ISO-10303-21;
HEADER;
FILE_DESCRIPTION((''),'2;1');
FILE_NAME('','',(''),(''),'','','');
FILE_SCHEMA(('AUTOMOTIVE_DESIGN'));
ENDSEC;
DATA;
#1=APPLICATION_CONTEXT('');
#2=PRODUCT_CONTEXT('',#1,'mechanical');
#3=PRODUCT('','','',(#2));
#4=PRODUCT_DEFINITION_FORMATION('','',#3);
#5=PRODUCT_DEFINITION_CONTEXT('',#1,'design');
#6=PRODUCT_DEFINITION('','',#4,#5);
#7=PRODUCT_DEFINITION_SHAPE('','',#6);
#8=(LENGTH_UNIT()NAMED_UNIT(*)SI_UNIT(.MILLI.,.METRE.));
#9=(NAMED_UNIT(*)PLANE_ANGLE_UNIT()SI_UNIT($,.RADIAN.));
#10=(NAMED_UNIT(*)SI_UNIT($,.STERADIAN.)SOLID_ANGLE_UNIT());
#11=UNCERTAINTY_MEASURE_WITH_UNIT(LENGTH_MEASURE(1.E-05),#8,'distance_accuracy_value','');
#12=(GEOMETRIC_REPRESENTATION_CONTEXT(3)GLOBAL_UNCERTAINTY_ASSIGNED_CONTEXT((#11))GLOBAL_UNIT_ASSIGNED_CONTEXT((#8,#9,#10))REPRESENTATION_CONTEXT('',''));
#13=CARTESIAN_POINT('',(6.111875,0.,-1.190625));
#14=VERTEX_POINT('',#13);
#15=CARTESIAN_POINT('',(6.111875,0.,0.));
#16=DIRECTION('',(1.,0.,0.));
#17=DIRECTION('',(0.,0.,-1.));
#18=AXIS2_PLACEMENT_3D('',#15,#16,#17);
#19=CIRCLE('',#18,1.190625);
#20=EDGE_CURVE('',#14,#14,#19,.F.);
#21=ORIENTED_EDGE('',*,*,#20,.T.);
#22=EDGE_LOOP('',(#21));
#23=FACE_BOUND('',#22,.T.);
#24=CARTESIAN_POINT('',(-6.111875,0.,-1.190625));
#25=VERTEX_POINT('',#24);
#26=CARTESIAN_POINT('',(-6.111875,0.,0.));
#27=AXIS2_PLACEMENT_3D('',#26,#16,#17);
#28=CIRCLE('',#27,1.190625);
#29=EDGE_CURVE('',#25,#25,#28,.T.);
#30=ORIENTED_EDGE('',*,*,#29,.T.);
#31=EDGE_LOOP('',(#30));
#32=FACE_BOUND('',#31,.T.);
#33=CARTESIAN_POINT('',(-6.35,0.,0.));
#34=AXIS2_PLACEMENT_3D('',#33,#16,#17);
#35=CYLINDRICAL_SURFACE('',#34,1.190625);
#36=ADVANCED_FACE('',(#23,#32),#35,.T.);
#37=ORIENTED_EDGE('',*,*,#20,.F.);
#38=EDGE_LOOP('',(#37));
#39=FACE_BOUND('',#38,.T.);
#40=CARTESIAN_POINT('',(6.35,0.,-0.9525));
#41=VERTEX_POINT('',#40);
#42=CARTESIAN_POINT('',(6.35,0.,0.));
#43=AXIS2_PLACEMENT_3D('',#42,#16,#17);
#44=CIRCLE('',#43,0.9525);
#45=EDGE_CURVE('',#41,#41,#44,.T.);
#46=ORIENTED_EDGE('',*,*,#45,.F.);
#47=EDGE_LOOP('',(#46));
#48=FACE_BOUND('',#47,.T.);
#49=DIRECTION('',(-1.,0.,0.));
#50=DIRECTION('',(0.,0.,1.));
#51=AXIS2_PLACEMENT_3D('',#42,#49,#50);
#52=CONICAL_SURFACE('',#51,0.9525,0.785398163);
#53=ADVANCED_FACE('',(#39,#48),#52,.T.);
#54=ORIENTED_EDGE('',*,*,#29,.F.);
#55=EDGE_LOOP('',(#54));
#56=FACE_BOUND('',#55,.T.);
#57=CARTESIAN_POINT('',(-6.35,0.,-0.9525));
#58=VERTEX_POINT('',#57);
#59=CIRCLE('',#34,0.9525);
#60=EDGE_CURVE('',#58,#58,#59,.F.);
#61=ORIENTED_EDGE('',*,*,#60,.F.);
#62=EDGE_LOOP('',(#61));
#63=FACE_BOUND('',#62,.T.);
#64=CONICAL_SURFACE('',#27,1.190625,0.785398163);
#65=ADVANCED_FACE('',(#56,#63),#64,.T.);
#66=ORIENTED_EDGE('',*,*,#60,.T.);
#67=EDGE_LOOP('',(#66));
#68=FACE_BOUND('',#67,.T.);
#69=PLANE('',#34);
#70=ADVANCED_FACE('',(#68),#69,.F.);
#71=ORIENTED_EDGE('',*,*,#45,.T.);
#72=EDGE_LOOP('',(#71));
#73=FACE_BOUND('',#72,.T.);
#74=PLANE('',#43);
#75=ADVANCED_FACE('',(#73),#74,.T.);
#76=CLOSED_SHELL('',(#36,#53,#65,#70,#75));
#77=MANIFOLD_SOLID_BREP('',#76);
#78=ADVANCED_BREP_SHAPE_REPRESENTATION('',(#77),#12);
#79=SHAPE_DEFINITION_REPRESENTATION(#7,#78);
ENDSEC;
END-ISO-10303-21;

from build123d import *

# Parameters (mm, degrees)
SKETCH2_R           = 1.190625
EXTRUDE1_DEPTH      = 6.35
EXTRUDE1_DEPTH_BACK = 6.35
CHAMFER1_SIZE       = 0.238125


with BuildPart() as part:
    # Sketch2 → Extrude1 (new body, two sides)
    with BuildSketch(Plane(origin=(0, 0, 0), x_dir=(0, 0, -1), z_dir=(1, 0, 0))) as extrude1_sk:
        Circle(SKETCH2_R)
    extrude(amount=EXTRUDE1_DEPTH)
    extrude(extrude1_sk.sketch, amount=-EXTRUDE1_DEPTH_BACK)

    # Chamfer1
    chamfer1_edges = [part.edges().sort_by_distance(p)[0] for p in [
        (-6.35, 0, 1.190625),
        (6.35, 0, 1.190625),
    ]]
    chamfer(chamfer1_edges, length=CHAMFER1_SIZE)


solid = part.part
